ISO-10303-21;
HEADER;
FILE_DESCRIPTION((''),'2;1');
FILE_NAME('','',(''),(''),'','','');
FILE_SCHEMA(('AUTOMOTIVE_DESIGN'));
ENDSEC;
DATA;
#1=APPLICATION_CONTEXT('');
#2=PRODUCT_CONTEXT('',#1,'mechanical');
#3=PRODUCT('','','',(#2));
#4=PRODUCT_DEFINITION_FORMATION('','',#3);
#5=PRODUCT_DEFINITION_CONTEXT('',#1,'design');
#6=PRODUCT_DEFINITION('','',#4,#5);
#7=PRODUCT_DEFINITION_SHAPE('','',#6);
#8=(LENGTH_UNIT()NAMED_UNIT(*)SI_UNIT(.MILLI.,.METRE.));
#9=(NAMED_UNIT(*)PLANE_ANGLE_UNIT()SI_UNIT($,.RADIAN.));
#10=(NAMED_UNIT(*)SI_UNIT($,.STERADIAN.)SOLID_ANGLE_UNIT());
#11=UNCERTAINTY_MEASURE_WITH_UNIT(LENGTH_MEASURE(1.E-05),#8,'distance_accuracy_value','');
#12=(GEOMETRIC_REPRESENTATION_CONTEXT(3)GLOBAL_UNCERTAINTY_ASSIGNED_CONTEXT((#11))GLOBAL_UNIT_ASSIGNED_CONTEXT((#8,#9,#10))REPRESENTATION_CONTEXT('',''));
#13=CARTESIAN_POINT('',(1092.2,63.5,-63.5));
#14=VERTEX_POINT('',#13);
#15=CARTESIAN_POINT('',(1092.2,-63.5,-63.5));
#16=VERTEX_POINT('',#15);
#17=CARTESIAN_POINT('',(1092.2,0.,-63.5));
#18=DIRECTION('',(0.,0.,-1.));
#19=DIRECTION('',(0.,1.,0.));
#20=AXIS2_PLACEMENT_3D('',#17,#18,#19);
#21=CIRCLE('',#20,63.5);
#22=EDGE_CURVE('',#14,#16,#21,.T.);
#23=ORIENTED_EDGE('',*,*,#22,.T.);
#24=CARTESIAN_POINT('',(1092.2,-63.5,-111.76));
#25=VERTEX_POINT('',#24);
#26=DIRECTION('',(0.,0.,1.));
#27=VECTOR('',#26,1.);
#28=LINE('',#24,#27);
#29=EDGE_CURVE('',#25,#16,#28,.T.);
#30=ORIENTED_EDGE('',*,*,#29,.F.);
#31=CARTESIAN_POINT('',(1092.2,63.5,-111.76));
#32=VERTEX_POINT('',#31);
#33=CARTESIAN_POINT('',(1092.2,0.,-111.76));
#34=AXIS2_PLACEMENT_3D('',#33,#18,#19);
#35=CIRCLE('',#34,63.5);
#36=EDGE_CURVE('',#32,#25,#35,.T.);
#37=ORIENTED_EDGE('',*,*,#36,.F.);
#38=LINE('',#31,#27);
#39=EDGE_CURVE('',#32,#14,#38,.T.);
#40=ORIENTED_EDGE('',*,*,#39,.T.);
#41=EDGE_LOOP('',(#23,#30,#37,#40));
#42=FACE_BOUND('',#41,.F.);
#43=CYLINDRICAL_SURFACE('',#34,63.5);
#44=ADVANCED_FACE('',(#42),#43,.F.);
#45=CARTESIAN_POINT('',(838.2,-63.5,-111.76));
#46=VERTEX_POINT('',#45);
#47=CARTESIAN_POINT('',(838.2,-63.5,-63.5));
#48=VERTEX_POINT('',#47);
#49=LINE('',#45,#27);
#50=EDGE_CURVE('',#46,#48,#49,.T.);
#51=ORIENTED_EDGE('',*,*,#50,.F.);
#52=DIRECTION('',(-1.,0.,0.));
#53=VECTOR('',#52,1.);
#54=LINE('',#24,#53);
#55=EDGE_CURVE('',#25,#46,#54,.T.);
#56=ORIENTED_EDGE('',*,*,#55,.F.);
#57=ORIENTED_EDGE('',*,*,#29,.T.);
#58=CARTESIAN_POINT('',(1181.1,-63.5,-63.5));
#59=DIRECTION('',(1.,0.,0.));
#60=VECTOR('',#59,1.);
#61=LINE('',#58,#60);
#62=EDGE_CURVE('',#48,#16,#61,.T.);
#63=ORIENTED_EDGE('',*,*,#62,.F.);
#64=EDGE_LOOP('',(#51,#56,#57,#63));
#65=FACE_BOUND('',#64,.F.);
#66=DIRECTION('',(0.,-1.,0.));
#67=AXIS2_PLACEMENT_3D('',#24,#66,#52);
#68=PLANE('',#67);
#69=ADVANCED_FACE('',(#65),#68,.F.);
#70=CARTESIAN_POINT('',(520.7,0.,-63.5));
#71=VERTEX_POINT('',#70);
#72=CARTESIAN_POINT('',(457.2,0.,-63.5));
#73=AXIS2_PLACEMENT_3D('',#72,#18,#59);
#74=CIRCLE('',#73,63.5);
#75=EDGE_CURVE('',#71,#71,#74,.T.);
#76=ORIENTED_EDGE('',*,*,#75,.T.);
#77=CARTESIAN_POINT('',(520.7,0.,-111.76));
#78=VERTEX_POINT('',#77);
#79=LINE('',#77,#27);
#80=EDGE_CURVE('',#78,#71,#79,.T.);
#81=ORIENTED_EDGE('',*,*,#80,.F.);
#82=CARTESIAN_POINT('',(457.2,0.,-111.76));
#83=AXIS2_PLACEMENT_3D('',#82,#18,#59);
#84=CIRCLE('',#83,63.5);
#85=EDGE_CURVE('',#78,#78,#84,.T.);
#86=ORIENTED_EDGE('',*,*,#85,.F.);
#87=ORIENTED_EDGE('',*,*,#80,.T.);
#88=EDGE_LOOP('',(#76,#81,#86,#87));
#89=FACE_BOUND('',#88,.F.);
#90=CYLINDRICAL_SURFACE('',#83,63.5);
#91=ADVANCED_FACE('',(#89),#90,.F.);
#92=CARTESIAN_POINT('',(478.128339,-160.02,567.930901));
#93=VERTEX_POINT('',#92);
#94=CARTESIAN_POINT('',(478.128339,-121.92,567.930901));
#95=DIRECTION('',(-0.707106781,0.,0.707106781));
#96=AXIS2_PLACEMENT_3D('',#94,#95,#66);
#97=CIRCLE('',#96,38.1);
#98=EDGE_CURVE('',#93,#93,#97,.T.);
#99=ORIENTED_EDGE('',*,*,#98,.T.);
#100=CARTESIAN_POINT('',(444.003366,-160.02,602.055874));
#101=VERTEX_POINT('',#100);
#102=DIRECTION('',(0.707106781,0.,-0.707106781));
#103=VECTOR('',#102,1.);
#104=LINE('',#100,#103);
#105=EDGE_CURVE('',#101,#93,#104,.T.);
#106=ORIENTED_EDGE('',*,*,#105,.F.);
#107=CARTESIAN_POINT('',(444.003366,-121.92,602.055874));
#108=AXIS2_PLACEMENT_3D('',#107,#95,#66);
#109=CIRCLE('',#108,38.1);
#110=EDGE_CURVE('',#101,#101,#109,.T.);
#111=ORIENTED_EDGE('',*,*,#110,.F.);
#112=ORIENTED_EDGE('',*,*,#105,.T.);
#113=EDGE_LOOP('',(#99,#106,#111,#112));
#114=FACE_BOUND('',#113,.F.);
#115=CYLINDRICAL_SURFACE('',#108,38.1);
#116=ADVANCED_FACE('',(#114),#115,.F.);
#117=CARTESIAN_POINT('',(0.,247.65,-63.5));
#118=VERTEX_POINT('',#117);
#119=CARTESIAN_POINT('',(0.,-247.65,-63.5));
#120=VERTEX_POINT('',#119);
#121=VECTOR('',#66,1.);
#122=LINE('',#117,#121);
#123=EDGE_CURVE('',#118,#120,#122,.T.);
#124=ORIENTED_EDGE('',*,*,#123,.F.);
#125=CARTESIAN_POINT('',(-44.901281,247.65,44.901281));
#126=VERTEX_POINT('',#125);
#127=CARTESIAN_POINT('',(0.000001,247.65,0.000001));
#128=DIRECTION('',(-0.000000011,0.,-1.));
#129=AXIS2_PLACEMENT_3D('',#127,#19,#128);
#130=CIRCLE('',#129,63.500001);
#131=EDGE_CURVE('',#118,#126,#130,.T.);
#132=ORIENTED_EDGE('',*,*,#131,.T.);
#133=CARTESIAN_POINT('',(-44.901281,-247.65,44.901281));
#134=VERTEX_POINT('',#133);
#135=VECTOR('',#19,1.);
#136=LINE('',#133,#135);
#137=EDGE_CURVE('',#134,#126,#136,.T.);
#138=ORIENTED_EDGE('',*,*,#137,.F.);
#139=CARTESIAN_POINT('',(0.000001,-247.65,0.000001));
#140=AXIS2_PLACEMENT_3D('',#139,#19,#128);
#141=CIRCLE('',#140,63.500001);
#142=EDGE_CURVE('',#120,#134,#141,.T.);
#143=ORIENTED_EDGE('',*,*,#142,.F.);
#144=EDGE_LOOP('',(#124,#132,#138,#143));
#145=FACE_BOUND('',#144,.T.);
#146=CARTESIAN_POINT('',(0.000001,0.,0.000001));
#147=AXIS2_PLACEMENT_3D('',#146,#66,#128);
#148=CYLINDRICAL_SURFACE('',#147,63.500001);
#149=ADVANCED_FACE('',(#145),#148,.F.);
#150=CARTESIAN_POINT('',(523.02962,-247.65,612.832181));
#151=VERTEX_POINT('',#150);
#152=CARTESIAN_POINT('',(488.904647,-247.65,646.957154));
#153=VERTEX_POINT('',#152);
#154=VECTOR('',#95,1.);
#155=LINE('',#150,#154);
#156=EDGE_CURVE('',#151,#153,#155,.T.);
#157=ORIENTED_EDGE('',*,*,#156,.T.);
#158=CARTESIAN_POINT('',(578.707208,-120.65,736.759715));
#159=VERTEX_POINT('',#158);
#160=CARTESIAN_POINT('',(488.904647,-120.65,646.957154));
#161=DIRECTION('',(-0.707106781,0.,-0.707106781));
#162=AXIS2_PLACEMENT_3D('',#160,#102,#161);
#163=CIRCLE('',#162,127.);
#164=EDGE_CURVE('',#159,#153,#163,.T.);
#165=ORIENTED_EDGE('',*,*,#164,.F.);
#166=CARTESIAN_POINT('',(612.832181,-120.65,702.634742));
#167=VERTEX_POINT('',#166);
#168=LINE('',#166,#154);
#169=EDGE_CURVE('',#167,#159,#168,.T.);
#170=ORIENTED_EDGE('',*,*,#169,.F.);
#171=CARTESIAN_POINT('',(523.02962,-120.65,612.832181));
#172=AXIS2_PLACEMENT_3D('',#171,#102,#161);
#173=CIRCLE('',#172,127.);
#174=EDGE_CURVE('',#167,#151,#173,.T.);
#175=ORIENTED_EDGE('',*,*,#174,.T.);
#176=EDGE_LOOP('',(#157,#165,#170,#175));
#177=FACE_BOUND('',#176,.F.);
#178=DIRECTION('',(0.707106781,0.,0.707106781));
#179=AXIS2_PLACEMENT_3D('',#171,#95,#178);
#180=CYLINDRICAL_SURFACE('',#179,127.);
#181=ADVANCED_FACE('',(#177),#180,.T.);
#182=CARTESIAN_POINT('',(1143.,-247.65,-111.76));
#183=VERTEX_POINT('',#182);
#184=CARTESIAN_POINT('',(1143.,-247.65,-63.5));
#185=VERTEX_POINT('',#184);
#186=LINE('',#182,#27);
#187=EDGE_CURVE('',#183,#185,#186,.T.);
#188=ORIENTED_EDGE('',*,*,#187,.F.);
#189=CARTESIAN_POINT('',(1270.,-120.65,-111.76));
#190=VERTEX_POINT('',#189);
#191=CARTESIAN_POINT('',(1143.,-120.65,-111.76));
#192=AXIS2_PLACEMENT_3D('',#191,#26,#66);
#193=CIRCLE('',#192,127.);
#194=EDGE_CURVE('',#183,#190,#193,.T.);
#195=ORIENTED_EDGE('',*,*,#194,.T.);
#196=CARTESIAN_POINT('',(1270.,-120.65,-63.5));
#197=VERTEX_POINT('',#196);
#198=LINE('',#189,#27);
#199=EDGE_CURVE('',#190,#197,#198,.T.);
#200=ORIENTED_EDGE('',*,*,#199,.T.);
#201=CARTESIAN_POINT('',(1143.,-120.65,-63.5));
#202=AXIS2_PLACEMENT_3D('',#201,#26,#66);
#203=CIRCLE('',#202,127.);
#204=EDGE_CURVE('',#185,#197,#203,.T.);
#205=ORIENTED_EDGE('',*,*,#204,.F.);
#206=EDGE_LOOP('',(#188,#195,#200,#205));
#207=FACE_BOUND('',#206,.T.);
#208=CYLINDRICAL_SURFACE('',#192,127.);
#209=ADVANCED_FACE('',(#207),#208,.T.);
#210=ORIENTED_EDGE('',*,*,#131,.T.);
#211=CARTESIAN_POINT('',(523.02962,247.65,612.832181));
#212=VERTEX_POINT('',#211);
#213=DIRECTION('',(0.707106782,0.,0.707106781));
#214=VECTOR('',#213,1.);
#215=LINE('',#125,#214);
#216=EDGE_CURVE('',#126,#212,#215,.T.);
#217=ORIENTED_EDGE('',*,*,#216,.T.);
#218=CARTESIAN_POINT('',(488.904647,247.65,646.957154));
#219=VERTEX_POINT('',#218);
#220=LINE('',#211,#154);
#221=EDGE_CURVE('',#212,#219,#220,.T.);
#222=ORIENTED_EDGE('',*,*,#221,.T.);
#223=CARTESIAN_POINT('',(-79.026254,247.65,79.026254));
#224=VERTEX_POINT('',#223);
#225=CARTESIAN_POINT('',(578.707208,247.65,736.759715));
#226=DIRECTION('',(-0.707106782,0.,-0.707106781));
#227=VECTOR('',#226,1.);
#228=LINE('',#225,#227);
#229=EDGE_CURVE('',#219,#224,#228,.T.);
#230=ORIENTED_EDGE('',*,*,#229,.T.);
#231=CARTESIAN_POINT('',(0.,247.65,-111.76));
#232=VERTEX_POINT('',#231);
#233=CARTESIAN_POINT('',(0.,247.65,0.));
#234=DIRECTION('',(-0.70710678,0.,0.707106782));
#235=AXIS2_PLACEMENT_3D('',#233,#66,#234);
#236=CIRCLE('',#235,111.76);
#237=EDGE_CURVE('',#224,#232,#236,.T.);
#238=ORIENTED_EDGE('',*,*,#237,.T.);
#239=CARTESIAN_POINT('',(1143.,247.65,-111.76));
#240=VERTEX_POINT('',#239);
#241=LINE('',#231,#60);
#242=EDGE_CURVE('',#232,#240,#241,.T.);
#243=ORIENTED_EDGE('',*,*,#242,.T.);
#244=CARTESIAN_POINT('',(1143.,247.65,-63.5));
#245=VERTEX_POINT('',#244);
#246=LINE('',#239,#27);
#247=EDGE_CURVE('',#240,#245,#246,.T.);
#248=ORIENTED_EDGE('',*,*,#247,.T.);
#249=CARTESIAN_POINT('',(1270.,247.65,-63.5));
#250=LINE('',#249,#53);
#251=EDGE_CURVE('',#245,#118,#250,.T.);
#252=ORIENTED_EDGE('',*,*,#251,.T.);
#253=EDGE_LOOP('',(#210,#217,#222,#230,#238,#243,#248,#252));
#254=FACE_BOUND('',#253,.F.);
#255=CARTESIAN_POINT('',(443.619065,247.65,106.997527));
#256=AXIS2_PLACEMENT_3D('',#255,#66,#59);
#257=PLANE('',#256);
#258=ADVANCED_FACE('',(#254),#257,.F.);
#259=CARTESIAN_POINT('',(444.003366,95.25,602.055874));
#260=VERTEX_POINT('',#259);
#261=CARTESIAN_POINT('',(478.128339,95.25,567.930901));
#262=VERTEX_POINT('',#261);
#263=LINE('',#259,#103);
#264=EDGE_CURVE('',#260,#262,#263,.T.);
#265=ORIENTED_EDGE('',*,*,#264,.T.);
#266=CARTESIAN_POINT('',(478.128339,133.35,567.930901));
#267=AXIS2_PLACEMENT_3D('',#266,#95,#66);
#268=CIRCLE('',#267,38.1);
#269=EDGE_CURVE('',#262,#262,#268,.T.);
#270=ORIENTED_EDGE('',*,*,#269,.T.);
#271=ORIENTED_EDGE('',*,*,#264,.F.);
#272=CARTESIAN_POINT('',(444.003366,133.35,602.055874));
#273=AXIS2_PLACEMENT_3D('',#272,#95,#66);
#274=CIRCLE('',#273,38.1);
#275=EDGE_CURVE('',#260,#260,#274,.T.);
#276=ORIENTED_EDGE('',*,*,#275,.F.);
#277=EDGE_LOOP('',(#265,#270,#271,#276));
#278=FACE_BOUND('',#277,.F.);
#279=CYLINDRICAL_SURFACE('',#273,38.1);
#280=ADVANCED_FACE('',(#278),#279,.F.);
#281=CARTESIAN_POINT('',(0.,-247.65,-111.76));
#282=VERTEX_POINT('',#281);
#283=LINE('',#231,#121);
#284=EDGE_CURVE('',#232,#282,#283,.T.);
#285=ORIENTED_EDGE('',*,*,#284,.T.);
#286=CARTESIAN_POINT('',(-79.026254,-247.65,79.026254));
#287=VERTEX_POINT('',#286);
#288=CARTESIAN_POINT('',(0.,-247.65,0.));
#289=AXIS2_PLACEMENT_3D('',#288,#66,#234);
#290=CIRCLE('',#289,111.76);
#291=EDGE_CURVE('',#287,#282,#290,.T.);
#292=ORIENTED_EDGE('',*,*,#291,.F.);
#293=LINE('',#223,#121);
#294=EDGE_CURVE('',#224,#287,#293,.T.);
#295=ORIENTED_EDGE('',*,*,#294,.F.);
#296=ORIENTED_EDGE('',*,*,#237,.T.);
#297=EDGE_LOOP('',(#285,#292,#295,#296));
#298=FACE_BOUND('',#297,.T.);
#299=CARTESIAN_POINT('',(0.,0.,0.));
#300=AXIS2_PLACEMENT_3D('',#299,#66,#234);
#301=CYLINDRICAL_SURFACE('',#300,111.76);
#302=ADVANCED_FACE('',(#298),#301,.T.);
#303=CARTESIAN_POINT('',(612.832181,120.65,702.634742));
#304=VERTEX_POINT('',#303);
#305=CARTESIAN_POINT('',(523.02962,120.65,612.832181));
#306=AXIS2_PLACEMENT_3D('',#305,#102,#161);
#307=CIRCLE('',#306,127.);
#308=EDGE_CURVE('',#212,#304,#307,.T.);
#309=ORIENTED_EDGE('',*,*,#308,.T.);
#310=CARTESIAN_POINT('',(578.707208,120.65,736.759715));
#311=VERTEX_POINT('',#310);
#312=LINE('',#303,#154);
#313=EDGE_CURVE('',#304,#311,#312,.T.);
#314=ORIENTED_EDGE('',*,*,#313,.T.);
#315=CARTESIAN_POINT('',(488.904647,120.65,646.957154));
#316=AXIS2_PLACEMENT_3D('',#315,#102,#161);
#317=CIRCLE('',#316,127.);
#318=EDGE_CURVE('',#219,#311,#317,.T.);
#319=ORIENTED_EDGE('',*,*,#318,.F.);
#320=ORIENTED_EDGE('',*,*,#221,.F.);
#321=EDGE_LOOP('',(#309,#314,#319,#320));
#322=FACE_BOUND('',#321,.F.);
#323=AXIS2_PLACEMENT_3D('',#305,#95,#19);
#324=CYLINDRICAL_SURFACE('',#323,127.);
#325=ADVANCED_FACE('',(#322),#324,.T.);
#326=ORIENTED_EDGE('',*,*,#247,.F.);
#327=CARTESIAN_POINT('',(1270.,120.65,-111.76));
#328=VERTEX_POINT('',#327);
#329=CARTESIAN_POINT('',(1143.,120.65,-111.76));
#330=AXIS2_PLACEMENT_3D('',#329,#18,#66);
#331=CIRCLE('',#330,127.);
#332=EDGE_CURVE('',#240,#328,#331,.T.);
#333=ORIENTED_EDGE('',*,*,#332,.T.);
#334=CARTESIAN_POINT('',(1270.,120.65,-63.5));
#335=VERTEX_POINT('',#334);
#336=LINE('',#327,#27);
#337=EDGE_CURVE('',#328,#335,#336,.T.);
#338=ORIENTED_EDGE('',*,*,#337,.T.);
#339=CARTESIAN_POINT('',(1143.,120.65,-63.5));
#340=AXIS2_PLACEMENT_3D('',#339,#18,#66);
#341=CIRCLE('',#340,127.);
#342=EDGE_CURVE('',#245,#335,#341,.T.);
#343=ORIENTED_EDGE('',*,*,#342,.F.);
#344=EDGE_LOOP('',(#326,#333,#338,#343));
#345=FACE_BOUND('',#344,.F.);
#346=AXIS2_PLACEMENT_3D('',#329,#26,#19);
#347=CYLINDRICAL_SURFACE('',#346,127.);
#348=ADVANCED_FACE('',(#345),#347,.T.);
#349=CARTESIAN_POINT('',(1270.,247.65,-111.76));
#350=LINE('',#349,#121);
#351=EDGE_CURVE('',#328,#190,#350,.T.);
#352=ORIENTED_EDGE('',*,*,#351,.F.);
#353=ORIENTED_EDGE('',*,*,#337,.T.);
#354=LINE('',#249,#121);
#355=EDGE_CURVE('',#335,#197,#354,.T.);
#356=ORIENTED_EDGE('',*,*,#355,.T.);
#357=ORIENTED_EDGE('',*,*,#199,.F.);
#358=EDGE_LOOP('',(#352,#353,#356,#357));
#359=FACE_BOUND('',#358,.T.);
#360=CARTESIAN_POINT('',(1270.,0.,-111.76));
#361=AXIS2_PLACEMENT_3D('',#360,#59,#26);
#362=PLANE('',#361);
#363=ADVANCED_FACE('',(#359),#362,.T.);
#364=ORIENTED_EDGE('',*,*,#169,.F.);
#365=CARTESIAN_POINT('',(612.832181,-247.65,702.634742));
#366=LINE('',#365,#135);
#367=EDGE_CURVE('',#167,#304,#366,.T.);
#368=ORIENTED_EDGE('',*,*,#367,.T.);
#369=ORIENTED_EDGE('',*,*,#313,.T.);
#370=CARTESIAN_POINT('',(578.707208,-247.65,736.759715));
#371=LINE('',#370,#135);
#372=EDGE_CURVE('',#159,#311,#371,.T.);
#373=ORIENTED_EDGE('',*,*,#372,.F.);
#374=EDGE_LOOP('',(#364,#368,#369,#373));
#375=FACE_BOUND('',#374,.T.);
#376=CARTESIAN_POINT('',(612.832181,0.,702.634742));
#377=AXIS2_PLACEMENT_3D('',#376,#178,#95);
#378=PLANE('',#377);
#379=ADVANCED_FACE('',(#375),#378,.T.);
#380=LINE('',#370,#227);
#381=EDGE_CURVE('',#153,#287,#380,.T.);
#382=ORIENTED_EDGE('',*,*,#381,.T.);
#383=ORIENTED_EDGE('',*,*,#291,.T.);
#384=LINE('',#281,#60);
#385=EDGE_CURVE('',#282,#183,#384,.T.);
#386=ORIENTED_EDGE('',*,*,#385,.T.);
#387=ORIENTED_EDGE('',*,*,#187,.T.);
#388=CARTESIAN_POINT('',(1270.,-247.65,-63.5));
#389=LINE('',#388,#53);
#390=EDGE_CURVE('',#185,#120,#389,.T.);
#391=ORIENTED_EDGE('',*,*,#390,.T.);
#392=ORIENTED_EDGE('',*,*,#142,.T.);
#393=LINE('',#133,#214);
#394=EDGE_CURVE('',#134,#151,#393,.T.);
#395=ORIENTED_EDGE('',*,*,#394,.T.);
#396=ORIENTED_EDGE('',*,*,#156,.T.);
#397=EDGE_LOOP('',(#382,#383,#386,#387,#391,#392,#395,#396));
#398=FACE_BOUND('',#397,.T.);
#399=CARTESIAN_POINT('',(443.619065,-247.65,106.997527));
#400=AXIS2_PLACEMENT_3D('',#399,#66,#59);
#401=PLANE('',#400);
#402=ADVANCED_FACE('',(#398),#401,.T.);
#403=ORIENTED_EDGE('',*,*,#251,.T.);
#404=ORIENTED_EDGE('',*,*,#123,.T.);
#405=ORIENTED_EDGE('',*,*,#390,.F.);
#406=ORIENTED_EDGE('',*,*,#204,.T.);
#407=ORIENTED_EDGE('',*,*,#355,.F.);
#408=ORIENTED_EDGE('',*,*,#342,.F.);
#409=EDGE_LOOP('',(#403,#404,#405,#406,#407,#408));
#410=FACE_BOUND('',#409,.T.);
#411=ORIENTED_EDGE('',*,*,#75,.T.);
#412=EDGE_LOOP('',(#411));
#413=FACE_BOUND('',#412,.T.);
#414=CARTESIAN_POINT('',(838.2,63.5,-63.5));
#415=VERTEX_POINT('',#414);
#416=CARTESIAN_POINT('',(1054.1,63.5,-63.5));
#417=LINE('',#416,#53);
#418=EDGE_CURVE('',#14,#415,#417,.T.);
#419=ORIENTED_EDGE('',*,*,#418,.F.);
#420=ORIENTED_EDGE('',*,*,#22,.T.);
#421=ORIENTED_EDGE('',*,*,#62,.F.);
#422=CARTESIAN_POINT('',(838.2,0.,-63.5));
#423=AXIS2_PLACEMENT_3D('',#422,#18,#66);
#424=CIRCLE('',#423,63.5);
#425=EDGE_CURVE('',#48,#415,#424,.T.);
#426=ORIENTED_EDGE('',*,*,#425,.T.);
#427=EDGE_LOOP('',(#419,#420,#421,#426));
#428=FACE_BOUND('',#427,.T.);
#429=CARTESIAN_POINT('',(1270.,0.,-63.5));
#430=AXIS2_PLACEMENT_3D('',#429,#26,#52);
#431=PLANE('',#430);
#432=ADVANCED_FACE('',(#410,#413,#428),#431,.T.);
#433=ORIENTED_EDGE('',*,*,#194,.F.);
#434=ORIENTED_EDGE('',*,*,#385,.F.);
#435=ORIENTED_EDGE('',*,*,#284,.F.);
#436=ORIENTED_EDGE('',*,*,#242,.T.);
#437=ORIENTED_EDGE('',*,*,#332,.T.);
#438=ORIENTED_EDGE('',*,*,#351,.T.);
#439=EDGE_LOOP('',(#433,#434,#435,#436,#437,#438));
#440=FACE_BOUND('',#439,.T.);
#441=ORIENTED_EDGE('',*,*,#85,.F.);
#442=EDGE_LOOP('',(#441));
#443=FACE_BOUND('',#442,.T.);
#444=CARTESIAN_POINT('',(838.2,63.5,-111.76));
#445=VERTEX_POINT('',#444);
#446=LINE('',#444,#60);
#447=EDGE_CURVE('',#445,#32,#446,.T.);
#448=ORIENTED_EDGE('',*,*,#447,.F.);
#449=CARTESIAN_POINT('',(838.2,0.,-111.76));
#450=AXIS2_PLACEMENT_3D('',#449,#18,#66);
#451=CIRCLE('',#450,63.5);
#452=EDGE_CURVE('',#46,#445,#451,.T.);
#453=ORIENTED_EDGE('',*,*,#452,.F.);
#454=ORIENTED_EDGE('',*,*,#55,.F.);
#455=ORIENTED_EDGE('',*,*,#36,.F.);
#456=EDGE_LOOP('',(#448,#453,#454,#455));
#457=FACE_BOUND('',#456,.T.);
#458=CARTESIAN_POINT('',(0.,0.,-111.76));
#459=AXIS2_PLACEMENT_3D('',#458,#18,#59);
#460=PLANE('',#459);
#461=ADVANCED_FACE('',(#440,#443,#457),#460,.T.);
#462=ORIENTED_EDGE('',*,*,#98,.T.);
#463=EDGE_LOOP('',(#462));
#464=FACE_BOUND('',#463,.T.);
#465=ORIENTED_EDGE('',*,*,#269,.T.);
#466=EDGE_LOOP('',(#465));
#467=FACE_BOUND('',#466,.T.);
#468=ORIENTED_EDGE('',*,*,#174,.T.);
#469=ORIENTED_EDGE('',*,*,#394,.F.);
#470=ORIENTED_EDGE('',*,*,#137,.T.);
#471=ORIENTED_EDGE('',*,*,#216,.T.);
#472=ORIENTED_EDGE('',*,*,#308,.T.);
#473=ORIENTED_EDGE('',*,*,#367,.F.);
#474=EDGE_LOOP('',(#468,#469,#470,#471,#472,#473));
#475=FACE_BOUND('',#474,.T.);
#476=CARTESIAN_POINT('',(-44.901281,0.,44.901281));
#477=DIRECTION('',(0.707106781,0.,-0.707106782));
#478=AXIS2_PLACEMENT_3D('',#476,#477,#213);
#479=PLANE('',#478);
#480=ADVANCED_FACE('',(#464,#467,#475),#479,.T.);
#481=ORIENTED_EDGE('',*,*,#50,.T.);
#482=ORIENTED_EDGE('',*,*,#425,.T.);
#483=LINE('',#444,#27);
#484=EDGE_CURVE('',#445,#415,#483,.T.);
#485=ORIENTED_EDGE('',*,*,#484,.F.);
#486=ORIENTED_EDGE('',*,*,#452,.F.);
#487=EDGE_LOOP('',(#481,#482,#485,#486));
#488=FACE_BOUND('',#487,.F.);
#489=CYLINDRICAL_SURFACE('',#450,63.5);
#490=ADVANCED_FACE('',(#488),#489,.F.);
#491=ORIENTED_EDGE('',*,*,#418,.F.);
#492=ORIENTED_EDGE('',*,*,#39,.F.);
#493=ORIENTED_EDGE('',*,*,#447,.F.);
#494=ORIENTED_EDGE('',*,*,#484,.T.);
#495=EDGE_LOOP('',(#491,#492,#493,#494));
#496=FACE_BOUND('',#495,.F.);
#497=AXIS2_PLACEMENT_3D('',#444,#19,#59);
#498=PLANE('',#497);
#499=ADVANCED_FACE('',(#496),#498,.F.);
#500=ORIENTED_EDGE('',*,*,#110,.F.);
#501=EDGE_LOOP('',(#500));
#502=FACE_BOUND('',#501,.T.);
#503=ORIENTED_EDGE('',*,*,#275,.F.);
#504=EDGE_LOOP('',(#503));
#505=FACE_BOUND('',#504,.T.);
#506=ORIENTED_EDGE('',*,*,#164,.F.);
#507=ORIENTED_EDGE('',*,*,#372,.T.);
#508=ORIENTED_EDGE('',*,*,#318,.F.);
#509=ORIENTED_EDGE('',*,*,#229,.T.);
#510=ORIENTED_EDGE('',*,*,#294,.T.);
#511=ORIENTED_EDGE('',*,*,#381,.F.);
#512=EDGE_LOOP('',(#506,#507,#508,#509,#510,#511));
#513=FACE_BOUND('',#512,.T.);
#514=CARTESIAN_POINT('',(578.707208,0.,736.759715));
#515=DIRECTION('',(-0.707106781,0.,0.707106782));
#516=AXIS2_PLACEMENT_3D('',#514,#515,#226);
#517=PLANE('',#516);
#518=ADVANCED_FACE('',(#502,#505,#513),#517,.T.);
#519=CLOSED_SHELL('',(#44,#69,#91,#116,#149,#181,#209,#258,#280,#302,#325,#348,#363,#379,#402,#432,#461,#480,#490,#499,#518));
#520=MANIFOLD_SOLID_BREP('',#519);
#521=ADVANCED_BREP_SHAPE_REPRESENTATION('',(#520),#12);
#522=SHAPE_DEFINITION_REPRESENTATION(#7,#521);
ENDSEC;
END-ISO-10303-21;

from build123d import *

# Parameters (mm, degrees)
F1_DEPTH = 247.65
F2_R     = 38.1
F3_DEPTH = 50.8
F4_R     = 63.5
F5_DEPTH = 50.8
F6_R     = 127


with BuildPart() as f1:
    # F0 (on Front) → F1 (new body, symmetric)
    with BuildSketch(Plane.XZ):
        with BuildLine():
            Line((578.707208, 736.759715), (-79.026254, 79.026254))
            ThreePointArc((-79.026254, 79.026254), (-103.252777, -42.7687), (0, -111.76))
            Line((0, -111.76), (1270, -111.76))
            Line((1270, -111.76), (1270, -63.5))
            Line((1270, -63.5), (0, -63.5))
            ThreePointArc((0, -63.5), (-58.66635, -24.300398), (-44.901281, 44.901281))
            Line((-44.901281, 44.901281), (612.832181, 702.634742))
            Line((612.832181, 702.634742), (578.707208, 736.759715))
        make_face()
    extrude(amount=F1_DEPTH, both=True)

    # F2 (on face) → F3 (cut)
    with BuildSketch(Plane(origin=(-79.026254, 0, 79.026254), x_dir=(0, -1, 0), z_dir=(-0.707107, 0, 0.707107))):
        with Locations((-133.35, 739.675582)):
            Circle(F2_R)
        with Locations((121.92, 739.675582)):
            Circle(F2_R)
    extrude(amount=-F3_DEPTH, mode=Mode.SUBTRACT)

    # F4 (on face) → F5 (cut)
    with BuildSketch(Plane(origin=(0, 0, -111.76), x_dir=(1, 0, 0), z_dir=(0, 0, -1))):
        with BuildLine():
            Line((838.2, -63.5), (1092.2, -63.5))
            ThreePointArc((1092.2, -63.5), (1155.7, 0), (1092.2, 63.5))
            Line((1092.2, 63.5), (838.2, 63.5))
            ThreePointArc((838.2, 63.5), (774.7, 0), (838.2, -63.5))
        make_face()
        with Locations((457.2, 0)):
            Circle(F4_R)
    extrude(amount=-F5_DEPTH, mode=Mode.SUBTRACT)

    # F6
    f6_edges = [f1.edges().sort_by_distance(p)[0] for p in [
        (1270, -247.65, -87.63),
        (1270, 247.65, -87.63),
        (595.769694, -247.65, 719.697229),
        (595.769694, 247.65, 719.697229),
    ]]
    fillet(f6_edges, radius=F6_R)


solid = f1.part
